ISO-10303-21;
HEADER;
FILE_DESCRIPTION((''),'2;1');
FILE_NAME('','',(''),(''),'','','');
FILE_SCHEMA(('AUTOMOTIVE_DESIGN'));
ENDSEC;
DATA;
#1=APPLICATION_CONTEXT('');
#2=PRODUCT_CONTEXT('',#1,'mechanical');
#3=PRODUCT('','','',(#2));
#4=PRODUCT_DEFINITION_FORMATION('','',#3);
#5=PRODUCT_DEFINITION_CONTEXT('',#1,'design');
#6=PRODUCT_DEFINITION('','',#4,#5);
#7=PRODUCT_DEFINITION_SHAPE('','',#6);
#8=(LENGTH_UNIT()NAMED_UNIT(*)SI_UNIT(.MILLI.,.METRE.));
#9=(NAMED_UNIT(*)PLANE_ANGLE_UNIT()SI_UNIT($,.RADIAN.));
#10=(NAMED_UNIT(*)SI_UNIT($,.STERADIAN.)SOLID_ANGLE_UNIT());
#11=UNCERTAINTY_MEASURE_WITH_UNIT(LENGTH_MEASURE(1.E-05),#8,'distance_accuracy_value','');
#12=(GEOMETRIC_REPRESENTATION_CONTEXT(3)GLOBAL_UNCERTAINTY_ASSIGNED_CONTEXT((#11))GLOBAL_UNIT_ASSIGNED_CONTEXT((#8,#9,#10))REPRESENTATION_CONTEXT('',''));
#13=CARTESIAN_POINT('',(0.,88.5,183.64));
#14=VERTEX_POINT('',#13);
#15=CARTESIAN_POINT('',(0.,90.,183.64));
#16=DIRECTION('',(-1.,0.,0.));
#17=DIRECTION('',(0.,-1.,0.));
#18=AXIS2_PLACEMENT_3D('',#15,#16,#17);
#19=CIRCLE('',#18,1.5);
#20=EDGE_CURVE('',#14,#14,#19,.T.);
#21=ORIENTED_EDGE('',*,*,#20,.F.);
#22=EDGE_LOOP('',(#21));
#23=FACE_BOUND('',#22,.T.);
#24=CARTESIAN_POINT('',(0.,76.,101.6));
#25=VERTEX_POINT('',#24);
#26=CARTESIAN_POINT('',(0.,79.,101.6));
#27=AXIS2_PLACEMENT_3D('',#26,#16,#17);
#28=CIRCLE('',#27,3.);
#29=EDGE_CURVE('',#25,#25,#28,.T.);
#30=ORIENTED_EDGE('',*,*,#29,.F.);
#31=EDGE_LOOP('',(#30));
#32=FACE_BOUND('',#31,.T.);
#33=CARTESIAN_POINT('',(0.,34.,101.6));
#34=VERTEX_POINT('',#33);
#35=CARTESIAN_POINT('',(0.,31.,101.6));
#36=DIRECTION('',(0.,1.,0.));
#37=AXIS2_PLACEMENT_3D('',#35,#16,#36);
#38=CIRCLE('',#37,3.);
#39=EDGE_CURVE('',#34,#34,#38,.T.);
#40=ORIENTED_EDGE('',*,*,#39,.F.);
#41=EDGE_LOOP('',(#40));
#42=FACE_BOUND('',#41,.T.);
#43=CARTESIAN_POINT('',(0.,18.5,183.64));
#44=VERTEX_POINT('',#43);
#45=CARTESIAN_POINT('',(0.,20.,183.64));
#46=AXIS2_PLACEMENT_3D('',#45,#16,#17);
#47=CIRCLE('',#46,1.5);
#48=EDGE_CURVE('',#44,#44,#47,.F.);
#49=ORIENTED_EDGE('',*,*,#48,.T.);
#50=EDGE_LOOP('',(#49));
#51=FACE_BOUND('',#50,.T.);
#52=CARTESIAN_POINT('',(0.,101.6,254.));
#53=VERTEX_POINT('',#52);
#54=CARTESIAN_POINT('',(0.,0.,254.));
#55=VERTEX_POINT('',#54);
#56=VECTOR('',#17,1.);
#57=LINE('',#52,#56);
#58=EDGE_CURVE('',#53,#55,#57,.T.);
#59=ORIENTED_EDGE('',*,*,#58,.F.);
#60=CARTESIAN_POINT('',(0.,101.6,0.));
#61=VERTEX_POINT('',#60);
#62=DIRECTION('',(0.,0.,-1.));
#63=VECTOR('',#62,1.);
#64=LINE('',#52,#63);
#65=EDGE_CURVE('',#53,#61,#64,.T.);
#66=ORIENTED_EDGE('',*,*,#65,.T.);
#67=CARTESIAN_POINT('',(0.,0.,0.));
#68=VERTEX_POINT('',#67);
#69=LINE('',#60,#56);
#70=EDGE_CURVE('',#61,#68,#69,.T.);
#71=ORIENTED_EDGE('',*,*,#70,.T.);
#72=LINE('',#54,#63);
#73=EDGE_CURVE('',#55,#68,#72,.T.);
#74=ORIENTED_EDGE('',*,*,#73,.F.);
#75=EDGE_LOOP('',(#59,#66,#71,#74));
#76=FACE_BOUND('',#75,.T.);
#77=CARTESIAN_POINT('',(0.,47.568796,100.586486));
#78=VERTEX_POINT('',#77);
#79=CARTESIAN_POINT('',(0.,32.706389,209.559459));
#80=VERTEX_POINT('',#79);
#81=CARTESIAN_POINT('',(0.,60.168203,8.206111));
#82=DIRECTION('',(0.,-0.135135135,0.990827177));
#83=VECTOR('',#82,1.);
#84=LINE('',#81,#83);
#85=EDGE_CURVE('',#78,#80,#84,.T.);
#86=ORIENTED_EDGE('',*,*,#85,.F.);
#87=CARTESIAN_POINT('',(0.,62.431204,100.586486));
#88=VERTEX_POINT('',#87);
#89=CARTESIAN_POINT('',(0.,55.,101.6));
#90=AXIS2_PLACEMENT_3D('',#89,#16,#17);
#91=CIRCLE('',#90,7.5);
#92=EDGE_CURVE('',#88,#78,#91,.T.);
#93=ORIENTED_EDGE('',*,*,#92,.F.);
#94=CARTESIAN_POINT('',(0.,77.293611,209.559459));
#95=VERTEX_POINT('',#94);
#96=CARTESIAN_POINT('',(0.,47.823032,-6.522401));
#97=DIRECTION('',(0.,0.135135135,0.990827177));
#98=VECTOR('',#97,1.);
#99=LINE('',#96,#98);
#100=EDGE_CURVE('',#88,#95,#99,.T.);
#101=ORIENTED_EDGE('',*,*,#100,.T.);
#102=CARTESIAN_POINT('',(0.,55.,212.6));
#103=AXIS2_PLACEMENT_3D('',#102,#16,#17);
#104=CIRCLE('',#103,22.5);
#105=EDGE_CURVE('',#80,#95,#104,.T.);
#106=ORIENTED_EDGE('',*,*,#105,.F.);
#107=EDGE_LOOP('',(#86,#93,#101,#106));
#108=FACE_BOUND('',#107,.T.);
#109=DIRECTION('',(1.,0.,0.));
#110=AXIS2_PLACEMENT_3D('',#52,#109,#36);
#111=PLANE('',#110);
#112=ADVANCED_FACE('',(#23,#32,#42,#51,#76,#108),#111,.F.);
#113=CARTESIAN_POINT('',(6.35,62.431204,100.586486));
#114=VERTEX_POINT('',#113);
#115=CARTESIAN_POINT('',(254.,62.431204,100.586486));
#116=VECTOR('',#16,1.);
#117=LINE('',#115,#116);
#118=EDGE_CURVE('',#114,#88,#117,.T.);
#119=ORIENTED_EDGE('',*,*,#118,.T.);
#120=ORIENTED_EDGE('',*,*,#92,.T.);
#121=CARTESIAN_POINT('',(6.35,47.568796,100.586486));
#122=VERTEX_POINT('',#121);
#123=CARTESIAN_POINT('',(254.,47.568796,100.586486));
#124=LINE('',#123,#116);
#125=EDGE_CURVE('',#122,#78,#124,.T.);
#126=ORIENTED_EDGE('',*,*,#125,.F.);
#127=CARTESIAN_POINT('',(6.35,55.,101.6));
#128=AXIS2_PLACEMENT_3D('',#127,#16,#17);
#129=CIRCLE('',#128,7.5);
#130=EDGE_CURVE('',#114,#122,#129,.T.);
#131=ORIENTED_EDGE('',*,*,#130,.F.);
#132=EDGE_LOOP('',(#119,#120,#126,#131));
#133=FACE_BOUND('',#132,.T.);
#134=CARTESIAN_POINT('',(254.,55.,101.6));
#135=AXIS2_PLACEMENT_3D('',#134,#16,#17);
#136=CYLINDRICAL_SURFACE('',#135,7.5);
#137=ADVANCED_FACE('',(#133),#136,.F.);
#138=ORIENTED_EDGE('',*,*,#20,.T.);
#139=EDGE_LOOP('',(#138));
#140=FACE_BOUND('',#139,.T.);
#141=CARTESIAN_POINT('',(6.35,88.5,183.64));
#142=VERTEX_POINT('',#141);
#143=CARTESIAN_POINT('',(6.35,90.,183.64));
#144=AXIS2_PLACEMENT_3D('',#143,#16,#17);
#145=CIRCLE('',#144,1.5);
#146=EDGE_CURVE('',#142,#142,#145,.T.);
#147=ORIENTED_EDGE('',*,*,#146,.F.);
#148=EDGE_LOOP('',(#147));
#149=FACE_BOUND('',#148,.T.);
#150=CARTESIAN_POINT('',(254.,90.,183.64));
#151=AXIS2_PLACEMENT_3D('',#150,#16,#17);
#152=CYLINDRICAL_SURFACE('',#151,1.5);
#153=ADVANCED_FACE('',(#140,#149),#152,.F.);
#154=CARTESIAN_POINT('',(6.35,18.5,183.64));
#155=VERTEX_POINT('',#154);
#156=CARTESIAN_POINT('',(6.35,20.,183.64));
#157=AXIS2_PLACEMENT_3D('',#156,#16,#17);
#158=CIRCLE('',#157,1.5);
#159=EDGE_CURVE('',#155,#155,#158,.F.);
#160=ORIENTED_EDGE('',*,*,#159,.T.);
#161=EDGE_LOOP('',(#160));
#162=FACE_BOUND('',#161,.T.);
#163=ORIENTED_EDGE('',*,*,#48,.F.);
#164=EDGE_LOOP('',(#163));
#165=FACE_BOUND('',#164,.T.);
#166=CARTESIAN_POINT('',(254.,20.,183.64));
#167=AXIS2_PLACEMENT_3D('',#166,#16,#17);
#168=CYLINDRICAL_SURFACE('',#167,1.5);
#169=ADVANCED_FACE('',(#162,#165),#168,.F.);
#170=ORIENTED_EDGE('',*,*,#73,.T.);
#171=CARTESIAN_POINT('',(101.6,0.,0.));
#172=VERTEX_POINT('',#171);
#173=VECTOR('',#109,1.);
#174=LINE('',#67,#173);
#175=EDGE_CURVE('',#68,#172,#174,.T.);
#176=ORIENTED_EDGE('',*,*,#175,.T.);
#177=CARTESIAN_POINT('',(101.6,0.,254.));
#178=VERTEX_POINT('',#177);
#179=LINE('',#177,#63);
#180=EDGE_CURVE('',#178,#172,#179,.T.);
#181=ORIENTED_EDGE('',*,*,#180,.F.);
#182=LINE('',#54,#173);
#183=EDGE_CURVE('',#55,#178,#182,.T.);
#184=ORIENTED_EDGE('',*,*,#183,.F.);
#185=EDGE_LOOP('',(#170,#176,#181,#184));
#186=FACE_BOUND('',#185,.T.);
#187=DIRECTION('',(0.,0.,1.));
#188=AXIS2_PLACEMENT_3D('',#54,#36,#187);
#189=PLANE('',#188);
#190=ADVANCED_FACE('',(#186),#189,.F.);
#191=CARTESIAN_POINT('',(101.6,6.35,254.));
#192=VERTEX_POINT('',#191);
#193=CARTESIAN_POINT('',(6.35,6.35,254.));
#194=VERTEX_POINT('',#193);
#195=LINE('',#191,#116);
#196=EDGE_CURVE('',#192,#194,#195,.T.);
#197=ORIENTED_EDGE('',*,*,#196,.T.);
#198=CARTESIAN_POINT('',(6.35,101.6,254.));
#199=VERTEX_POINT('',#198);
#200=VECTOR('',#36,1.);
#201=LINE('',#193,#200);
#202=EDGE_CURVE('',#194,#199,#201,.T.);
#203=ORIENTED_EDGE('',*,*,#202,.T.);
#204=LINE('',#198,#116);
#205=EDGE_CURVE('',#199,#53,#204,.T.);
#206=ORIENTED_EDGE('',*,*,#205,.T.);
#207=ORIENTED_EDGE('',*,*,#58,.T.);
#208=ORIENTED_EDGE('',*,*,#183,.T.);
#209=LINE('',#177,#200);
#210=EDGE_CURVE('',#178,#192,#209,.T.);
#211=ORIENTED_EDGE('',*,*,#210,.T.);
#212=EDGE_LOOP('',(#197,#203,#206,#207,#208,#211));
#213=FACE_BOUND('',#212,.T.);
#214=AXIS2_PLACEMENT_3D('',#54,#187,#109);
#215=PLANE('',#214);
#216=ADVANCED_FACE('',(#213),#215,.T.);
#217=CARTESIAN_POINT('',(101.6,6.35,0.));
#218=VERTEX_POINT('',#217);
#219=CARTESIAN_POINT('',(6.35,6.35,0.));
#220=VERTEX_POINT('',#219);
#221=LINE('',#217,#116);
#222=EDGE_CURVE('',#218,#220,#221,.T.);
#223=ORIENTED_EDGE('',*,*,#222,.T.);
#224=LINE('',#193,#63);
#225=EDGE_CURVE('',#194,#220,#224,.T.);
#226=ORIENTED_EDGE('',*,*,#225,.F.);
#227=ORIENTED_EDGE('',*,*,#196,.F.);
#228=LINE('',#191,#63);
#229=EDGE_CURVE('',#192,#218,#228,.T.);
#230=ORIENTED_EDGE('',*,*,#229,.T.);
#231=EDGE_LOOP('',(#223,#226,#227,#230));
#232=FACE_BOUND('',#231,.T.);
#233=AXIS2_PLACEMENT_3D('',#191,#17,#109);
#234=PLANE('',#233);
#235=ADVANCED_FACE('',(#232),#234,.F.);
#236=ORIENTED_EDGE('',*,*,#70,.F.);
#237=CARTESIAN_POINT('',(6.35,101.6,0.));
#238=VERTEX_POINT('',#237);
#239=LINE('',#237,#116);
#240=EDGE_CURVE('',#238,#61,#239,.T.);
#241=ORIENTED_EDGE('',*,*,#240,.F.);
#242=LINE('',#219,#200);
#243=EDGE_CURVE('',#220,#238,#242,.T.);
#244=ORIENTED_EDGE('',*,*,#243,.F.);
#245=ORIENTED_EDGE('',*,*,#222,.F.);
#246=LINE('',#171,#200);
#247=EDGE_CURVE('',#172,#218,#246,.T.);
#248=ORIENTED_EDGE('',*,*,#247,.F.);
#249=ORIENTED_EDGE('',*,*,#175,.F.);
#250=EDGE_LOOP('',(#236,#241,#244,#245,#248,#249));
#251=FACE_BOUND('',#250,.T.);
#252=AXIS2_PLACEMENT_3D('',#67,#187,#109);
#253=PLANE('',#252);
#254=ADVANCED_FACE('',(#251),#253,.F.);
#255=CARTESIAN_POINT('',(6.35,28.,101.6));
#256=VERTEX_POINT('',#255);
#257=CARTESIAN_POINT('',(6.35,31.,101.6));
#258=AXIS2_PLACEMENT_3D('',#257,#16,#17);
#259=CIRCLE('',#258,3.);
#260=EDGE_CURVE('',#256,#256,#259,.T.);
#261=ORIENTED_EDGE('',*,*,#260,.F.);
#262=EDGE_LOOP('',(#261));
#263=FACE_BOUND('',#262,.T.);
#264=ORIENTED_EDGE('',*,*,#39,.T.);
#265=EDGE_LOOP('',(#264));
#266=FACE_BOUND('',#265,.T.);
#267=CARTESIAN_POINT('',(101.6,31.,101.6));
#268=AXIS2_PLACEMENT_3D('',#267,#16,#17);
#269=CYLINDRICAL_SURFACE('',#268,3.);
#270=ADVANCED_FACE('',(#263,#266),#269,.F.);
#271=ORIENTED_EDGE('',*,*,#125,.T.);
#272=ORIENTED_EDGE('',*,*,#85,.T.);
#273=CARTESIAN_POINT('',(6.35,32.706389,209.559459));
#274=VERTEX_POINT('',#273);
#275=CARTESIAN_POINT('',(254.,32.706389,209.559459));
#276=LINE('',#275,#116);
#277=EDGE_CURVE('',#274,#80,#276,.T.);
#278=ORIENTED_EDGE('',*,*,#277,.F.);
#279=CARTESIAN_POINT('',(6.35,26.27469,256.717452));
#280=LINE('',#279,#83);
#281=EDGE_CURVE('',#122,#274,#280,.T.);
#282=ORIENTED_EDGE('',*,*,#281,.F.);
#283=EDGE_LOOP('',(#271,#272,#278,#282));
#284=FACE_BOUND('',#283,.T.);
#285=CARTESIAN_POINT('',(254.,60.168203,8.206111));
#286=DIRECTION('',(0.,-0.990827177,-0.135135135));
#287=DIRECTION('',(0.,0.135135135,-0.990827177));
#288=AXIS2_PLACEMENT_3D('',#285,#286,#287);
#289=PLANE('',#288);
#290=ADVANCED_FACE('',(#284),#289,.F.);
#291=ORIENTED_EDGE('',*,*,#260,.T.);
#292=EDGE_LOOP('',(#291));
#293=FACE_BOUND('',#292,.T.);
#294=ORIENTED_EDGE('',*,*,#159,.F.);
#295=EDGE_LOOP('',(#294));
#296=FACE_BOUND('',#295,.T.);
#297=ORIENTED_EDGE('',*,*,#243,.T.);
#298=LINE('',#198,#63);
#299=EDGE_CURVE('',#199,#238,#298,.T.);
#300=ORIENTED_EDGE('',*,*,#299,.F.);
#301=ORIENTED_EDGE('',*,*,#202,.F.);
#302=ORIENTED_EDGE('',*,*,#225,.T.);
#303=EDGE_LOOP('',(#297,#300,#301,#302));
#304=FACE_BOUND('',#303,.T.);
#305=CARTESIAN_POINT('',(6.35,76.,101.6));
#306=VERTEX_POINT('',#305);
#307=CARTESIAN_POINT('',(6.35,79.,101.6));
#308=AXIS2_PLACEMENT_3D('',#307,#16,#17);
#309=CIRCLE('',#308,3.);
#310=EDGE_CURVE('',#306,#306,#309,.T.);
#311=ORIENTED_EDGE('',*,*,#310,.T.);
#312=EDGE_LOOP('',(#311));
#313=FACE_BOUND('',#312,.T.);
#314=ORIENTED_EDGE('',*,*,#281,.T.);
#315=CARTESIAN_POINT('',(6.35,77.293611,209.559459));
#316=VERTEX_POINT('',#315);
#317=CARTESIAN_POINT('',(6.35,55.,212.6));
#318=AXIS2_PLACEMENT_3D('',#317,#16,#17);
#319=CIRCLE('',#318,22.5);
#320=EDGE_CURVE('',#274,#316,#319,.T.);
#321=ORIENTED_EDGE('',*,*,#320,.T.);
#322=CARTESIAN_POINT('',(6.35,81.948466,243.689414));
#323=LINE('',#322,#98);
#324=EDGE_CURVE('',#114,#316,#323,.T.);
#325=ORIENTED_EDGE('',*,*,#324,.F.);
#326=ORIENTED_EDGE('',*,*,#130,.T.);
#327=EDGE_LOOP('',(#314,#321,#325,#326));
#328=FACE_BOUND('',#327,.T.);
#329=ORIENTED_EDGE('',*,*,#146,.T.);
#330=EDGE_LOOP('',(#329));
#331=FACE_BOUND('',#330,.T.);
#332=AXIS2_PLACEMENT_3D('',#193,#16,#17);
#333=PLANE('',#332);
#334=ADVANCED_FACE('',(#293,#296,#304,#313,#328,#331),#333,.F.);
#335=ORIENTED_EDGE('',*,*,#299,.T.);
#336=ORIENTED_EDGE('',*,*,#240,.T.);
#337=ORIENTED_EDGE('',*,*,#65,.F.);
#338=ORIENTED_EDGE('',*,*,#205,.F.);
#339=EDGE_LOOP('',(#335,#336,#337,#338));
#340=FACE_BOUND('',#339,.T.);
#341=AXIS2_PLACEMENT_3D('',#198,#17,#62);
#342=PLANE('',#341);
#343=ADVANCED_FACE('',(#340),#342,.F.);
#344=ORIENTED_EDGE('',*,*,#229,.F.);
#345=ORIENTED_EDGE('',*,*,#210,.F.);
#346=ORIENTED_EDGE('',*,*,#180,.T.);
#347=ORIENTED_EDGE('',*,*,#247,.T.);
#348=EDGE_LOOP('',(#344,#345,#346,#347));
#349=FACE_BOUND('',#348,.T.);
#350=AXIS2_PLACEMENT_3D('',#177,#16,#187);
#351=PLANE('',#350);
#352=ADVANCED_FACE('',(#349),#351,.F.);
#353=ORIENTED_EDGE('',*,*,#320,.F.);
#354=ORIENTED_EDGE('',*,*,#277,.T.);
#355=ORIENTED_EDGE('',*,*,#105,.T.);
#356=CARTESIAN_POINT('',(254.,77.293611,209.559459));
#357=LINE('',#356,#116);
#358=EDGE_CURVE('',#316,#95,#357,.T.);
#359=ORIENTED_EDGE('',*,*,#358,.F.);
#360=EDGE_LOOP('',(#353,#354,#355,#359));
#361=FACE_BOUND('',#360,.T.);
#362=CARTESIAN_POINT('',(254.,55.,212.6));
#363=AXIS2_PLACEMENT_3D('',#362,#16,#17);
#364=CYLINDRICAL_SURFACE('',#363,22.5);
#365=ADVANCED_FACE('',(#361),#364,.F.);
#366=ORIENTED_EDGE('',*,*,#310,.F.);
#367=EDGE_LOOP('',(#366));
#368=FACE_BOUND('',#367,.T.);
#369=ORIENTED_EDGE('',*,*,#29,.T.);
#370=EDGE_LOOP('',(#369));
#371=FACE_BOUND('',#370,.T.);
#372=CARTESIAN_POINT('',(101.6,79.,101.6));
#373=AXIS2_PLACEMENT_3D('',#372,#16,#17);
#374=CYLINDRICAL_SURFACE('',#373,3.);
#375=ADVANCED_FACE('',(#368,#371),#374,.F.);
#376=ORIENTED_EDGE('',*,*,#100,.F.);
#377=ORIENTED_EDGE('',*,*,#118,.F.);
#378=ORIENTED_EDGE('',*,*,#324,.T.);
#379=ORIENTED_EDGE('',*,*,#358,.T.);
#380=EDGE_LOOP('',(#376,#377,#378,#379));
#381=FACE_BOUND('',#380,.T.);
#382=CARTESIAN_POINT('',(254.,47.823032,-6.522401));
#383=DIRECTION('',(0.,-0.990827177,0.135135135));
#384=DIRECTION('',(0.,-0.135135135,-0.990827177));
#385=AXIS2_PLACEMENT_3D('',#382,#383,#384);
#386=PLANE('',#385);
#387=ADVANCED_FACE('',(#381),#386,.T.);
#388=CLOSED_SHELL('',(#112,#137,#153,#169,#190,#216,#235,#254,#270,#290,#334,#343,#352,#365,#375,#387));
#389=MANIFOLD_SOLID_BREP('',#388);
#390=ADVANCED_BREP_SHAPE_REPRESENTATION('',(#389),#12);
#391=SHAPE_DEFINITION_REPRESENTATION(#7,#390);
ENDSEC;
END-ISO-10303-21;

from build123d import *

# Parameters (mm, degrees)
SALIENTE_EXTRUIR1_DEPTH = 254
CROQUIS2_R              = 7.5
CROQUIS2_R_2            = 22.5
CROQUIS2_R_3            = 1.5
CORTAR_EXTRUIR1_DEPTH   = 254
CROQUIS3_R              = 3
CORTAR_EXTRUIR2_DEPTH   = 292.823782444


with BuildPart() as part:
    # Croquis1 → Saliente-Extruir1 (new body)
    with BuildSketch(Plane.XY):
        Polygon((0, 101.6), (0, 0), (101.6, 0), (101.6, 6.35), (6.35, 6.35), (6.35, 101.6), align=None)
    extrude(amount=SALIENTE_EXTRUIR1_DEPTH)

    # Croquis2 → Cortar-Extruir1 (cut)
    with BuildSketch(Plane.ZY):
        with Locations((101.6, 55)):
            Circle(CROQUIS2_R)
        with BuildLine():
            Line((209.559459459, 77.293611489), (100.586486486, 62.43120383))
            ThreePointArc((100.586486486, 62.43120383), (106.531969619, 60.650281026), (109.1, 55))
            ThreePointArc((109.1, 55), (106.531969619, 49.349718974), (100.586486486, 47.56879617))
            Line((100.586486486, 47.56879617), (209.559459459, 32.706388511))
            ThreePointArc((209.559459459, 32.706388511), (190.1, 55), (209.559459459, 77.293611489))
        make_face()
        with Locations((212.6, 55)):
            Circle(CROQUIS2_R_2)
        with Locations(Location((183.64, 90, 0), (0, 0, 270))):
            Circle(CROQUIS2_R_3)
        with Locations(Location((183.64, 20, 0), (0, 0, 270))):
            Circle(CROQUIS2_R_3)
    extrude(amount=-CORTAR_EXTRUIR1_DEPTH, mode=Mode.SUBTRACT)

    # Croquis3 → Cortar-Extruir2 (cut, through all)
    with BuildSketch(Plane.ZY):
        with Locations(Location((101.6, 79, 0), (0, 0, 270))):
            Circle(CROQUIS3_R)
        with Locations(Location((101.6, 31, 0), (0, 0, 270))):
            Circle(CROQUIS3_R)
    extrude(amount=-CORTAR_EXTRUIR2_DEPTH, mode=Mode.SUBTRACT)


solid = part.part
